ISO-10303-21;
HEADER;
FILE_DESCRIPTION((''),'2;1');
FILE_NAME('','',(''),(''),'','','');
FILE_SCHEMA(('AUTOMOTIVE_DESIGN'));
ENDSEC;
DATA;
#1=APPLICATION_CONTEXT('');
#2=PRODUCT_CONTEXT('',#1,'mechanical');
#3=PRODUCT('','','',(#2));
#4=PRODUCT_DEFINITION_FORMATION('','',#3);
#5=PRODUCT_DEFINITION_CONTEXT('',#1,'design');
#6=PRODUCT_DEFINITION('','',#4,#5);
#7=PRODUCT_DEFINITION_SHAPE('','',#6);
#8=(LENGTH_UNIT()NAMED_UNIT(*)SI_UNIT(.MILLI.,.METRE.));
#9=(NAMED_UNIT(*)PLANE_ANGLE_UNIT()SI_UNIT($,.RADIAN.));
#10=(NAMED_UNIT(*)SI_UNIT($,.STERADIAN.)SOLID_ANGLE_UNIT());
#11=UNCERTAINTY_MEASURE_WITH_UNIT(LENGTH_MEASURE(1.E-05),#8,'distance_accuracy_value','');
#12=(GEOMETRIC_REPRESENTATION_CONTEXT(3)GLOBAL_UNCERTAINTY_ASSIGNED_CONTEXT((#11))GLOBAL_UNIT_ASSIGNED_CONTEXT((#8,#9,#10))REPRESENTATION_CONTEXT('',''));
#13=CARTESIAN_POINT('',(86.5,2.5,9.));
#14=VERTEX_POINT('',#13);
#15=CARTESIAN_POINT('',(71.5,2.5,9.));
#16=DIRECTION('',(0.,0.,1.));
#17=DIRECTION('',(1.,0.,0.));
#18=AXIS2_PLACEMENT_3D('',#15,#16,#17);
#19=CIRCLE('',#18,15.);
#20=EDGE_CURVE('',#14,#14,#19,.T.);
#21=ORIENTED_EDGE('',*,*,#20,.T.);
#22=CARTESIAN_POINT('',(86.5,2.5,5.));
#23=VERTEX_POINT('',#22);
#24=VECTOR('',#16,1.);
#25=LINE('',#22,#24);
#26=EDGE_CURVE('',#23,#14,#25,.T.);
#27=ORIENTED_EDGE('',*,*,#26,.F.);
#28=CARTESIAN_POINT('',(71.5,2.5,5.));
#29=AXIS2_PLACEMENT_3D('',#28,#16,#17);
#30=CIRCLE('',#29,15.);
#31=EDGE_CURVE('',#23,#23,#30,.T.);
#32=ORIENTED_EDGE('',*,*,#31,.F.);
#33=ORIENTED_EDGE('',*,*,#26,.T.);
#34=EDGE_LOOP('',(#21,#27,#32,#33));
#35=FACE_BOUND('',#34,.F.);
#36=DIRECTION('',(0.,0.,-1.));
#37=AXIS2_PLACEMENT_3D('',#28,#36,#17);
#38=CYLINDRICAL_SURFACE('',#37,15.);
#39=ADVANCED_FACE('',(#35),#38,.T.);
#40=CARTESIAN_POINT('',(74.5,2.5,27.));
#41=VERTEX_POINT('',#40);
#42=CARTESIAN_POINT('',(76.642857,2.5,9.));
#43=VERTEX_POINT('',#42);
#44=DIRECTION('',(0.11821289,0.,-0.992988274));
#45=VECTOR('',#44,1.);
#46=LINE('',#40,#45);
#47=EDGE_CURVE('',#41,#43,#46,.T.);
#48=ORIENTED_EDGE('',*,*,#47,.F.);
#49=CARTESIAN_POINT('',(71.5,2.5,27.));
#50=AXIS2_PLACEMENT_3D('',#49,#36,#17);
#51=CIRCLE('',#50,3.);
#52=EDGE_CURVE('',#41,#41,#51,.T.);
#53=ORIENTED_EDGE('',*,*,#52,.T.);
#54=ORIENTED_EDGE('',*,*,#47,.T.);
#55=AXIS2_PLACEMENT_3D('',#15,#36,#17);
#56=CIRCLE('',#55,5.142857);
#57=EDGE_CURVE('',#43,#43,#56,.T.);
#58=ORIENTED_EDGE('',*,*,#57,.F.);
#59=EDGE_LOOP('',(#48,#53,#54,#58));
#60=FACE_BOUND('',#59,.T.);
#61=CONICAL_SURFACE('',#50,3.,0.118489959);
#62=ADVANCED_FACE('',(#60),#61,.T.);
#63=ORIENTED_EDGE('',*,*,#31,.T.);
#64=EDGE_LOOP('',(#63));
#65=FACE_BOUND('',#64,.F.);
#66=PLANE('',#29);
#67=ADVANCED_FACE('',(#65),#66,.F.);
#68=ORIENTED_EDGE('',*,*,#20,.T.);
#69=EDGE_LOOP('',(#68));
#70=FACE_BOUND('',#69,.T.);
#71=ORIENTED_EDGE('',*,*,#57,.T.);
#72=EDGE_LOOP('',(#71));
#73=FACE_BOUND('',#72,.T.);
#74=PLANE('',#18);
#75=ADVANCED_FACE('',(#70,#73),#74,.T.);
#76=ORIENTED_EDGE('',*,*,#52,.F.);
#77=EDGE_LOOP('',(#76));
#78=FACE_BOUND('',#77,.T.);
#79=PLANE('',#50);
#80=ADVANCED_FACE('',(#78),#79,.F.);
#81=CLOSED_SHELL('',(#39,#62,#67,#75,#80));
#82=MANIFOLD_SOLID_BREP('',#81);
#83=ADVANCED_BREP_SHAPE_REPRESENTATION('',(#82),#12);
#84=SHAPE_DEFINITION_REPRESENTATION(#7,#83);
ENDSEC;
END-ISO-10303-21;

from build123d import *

# Parameters (mm, degrees)
CYLINDER022_R     = 15
CYLINDER022_DEPTH = 4


with BuildPart() as cono_brazo_central_base:
    # Cone → Cone (revolve)
    with BuildSketch(Plane(origin=(71.5, 2.5, 27), x_dir=(1, 0, 0), z_dir=(0, 1, 0))):
        Polygon((0, 0), (3, 0), (5.5, 21), (0, 21), align=None)
    revolve(axis=Axis((71.5, 2.5, 27), (0, 0, -1)))


with BuildPart() as union_base_brazo_central:
    # Cylinder022 → Cylinder022 (new body)
    with BuildSketch(Plane(origin=(71.5, 2.5, 5), x_dir=(1, 0, 0), z_dir=(0, 0, 1))):
        Circle(CYLINDER022_R)
    extrude(amount=CYLINDER022_DEPTH)

    # Fusion015: union Cono brazo central/base
    add(cono_brazo_central_base.part)


solid = union_base_brazo_central.part
